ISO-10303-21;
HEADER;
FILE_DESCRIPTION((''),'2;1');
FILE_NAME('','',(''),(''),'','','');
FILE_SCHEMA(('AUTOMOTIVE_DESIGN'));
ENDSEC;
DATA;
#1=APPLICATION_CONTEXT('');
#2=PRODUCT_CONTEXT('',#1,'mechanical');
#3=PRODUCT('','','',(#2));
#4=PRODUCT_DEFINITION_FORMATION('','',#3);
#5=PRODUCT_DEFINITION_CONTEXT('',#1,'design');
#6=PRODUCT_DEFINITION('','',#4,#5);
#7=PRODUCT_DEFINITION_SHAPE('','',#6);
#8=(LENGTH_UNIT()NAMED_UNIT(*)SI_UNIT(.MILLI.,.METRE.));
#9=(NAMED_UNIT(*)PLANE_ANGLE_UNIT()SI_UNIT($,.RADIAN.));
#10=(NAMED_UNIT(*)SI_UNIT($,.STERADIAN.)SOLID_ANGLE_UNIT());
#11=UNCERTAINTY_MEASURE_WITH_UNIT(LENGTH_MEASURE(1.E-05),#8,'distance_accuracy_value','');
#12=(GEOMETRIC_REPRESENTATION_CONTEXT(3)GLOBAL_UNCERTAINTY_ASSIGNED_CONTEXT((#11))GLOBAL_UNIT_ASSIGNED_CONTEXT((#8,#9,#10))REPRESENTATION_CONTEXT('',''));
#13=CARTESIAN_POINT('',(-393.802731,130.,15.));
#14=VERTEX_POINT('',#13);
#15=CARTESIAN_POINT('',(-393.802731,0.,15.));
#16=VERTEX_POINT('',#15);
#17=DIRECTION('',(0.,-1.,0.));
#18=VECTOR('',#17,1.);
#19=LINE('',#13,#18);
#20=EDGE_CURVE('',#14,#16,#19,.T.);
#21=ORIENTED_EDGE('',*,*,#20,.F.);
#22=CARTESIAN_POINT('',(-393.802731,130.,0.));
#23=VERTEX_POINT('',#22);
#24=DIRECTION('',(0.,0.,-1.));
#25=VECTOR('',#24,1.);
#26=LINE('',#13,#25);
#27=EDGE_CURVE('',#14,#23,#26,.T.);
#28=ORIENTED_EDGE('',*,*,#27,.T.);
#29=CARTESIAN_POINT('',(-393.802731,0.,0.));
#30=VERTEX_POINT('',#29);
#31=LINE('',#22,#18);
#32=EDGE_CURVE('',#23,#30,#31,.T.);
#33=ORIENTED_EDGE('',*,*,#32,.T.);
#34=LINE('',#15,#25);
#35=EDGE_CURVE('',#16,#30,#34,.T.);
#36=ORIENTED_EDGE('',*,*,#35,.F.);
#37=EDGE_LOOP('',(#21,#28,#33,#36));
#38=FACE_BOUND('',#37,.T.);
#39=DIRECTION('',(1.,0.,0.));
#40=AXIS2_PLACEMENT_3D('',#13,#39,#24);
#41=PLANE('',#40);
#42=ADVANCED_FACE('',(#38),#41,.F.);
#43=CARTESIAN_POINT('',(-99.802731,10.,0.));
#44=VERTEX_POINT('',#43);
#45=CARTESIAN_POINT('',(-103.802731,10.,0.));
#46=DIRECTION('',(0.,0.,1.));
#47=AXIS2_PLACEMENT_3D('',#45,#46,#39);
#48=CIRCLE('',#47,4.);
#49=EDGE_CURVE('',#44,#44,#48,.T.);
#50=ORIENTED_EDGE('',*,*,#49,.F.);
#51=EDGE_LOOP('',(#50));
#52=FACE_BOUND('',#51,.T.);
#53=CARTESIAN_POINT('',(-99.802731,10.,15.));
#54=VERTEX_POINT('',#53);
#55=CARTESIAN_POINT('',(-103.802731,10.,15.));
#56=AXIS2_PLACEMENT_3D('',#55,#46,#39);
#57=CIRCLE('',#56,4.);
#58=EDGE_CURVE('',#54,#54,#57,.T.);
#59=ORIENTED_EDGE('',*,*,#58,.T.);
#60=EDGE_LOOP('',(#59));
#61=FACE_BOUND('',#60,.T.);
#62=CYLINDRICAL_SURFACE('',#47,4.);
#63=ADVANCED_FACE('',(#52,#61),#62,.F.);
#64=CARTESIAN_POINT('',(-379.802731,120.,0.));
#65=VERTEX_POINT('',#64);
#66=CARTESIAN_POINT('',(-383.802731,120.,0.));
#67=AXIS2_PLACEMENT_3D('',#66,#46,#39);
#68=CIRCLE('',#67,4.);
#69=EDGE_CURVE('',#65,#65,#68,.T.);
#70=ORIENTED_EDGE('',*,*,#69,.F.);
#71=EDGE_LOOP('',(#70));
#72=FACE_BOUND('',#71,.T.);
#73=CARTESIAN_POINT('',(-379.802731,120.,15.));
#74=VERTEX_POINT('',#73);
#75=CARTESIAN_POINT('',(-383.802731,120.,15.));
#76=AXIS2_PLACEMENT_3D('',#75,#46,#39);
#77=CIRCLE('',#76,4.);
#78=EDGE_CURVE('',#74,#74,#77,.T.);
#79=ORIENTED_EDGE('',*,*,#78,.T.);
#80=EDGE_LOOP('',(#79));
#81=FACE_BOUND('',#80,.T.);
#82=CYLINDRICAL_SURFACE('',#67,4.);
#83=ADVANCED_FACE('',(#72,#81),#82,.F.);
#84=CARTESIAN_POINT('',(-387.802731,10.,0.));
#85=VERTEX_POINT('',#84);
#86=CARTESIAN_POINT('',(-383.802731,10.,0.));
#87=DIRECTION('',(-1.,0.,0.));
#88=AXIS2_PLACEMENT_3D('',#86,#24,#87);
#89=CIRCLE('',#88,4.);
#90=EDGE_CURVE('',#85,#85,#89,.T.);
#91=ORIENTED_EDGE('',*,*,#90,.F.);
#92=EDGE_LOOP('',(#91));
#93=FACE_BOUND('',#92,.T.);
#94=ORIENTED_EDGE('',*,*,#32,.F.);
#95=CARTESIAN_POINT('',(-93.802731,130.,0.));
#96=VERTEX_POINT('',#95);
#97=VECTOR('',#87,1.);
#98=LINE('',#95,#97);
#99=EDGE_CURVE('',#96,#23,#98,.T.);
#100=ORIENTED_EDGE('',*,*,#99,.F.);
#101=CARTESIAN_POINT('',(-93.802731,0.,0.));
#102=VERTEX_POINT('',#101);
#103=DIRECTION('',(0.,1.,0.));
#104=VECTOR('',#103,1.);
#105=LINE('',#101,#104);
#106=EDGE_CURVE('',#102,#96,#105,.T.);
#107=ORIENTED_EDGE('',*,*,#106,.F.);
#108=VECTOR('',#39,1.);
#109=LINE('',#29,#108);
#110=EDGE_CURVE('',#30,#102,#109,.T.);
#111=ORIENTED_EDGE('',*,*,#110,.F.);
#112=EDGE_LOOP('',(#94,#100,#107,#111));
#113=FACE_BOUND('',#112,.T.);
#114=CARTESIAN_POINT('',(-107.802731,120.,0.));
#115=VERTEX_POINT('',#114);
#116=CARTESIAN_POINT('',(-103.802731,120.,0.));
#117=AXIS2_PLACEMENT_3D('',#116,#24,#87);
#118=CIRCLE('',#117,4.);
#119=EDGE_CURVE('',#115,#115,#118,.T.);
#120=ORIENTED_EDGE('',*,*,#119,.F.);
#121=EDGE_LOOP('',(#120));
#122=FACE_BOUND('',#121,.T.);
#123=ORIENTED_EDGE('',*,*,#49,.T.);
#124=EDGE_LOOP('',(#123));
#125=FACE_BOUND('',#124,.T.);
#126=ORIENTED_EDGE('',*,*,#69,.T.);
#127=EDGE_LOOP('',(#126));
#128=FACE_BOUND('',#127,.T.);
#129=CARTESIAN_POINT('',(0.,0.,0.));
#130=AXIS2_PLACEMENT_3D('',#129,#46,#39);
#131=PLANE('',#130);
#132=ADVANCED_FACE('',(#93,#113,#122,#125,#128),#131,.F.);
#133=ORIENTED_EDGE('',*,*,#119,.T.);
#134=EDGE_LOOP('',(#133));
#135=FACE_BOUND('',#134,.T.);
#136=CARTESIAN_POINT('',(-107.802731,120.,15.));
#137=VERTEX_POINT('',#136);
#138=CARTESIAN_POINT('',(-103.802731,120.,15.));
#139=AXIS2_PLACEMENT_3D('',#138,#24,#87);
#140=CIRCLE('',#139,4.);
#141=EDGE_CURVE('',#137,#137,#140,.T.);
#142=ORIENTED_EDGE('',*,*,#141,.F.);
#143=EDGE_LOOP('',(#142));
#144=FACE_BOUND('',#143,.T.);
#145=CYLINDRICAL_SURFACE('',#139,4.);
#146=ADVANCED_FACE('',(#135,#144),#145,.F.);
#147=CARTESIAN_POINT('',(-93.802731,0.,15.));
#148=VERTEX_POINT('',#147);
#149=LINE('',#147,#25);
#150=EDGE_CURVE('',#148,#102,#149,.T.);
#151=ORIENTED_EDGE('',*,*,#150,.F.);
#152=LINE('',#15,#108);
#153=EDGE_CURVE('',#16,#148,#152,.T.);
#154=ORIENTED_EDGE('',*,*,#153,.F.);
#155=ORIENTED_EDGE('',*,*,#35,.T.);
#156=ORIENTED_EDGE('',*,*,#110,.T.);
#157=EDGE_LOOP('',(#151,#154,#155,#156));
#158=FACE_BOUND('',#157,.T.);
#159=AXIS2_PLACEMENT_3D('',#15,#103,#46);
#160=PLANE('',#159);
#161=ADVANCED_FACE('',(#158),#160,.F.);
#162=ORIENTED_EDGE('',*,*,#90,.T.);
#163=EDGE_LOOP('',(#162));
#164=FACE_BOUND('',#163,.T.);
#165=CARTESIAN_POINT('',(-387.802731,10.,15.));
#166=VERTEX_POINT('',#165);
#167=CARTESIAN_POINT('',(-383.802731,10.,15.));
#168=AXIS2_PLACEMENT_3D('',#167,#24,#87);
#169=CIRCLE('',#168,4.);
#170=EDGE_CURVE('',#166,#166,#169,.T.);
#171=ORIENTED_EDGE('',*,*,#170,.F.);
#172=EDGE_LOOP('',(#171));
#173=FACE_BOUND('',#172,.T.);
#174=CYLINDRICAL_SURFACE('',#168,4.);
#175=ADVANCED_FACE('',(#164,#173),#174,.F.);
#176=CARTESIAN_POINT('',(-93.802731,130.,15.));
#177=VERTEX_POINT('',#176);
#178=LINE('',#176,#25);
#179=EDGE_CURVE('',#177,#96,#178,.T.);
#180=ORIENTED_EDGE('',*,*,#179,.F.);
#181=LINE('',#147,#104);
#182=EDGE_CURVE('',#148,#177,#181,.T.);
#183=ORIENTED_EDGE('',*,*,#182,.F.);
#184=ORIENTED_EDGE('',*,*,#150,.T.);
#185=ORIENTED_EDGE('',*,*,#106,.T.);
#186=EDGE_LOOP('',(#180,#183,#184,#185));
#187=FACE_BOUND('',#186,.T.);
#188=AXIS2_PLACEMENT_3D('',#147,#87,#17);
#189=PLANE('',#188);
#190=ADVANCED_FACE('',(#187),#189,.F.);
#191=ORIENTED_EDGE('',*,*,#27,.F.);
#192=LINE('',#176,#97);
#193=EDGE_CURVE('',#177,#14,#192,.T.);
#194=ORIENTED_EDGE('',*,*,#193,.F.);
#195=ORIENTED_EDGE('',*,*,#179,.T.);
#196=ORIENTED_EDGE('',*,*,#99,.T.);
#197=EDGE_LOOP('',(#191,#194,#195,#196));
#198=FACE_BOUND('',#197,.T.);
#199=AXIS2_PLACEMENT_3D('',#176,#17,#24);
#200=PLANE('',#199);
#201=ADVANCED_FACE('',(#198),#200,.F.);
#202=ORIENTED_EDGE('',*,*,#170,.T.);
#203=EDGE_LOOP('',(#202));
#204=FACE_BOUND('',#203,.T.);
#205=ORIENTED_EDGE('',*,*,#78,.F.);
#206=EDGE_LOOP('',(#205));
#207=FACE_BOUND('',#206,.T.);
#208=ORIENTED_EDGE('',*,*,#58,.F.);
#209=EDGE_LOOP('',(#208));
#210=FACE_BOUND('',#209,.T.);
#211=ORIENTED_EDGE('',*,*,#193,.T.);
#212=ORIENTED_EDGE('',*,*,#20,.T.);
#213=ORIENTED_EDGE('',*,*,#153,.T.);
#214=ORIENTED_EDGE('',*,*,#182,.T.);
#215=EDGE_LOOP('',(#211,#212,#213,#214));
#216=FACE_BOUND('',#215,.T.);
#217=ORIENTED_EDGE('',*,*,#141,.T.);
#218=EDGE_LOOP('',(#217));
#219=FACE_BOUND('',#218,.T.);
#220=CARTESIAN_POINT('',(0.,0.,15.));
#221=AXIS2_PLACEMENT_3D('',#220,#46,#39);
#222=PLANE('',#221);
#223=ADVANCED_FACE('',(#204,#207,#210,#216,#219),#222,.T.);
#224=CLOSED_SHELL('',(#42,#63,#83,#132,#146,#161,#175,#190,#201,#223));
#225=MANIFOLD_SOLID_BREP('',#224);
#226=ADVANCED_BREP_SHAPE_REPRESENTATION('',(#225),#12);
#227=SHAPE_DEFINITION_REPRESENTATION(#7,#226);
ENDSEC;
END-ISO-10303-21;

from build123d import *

# Parameters (mm, degrees)
ESQUISSE1_W             = 300
ESQUISSE1_H             = 130
BOSS_EXTRU_1_DEPTH      = 15
ESQUISSE2_R             = 4
ENL_V_MAT_EXTRU_2_DEPTH = 415.976615042
ESQUISSE3_R             = 4
ENL_V_MAT_EXTRU_3_DEPTH = 415.976615042
ESQUISSE5_R             = 4
ENL_V_MAT_EXTRU_4_DEPTH = 415.976615042


with BuildPart() as part:
    # Esquisse1 → Boss.-Extru.1 (new body)
    with BuildSketch(Plane.XY):
        with Locations((-243.802731113, 65)):
            Rectangle(ESQUISSE1_W, ESQUISSE1_H)
    extrude(amount=BOSS_EXTRU_1_DEPTH)

    # Esquisse2 → Enlèv. mat.-Extru.2 (cut, through all)
    with BuildSketch(Plane.XY.offset(15)):
        with Locations((-383.802731113, 120)):
            Circle(ESQUISSE2_R)
    extrude(amount=-ENL_V_MAT_EXTRU_2_DEPTH, mode=Mode.SUBTRACT)

    # Esquisse3 → Enlèv. mat.-Extru.3 (cut, through all)
    with BuildSketch(Plane.XY.offset(15)):
        with Locations((-103.802731113, 10)):
            Circle(ESQUISSE3_R)
    extrude(amount=-ENL_V_MAT_EXTRU_3_DEPTH, mode=Mode.SUBTRACT)

    # Esquisse5 → Enlèv. mat.-Extru.4 (cut, through all)
    with BuildSketch(Plane(origin=(0, 0, 0), x_dir=(-1, 0, 0), z_dir=(0, 0, -1))):
        with Locations((103.802731113, 120)):
            Circle(ESQUISSE5_R)
        with Locations((383.802731113, 10)):
            Circle(ESQUISSE5_R)
    extrude(amount=-ENL_V_MAT_EXTRU_4_DEPTH, mode=Mode.SUBTRACT)


solid = part.part
